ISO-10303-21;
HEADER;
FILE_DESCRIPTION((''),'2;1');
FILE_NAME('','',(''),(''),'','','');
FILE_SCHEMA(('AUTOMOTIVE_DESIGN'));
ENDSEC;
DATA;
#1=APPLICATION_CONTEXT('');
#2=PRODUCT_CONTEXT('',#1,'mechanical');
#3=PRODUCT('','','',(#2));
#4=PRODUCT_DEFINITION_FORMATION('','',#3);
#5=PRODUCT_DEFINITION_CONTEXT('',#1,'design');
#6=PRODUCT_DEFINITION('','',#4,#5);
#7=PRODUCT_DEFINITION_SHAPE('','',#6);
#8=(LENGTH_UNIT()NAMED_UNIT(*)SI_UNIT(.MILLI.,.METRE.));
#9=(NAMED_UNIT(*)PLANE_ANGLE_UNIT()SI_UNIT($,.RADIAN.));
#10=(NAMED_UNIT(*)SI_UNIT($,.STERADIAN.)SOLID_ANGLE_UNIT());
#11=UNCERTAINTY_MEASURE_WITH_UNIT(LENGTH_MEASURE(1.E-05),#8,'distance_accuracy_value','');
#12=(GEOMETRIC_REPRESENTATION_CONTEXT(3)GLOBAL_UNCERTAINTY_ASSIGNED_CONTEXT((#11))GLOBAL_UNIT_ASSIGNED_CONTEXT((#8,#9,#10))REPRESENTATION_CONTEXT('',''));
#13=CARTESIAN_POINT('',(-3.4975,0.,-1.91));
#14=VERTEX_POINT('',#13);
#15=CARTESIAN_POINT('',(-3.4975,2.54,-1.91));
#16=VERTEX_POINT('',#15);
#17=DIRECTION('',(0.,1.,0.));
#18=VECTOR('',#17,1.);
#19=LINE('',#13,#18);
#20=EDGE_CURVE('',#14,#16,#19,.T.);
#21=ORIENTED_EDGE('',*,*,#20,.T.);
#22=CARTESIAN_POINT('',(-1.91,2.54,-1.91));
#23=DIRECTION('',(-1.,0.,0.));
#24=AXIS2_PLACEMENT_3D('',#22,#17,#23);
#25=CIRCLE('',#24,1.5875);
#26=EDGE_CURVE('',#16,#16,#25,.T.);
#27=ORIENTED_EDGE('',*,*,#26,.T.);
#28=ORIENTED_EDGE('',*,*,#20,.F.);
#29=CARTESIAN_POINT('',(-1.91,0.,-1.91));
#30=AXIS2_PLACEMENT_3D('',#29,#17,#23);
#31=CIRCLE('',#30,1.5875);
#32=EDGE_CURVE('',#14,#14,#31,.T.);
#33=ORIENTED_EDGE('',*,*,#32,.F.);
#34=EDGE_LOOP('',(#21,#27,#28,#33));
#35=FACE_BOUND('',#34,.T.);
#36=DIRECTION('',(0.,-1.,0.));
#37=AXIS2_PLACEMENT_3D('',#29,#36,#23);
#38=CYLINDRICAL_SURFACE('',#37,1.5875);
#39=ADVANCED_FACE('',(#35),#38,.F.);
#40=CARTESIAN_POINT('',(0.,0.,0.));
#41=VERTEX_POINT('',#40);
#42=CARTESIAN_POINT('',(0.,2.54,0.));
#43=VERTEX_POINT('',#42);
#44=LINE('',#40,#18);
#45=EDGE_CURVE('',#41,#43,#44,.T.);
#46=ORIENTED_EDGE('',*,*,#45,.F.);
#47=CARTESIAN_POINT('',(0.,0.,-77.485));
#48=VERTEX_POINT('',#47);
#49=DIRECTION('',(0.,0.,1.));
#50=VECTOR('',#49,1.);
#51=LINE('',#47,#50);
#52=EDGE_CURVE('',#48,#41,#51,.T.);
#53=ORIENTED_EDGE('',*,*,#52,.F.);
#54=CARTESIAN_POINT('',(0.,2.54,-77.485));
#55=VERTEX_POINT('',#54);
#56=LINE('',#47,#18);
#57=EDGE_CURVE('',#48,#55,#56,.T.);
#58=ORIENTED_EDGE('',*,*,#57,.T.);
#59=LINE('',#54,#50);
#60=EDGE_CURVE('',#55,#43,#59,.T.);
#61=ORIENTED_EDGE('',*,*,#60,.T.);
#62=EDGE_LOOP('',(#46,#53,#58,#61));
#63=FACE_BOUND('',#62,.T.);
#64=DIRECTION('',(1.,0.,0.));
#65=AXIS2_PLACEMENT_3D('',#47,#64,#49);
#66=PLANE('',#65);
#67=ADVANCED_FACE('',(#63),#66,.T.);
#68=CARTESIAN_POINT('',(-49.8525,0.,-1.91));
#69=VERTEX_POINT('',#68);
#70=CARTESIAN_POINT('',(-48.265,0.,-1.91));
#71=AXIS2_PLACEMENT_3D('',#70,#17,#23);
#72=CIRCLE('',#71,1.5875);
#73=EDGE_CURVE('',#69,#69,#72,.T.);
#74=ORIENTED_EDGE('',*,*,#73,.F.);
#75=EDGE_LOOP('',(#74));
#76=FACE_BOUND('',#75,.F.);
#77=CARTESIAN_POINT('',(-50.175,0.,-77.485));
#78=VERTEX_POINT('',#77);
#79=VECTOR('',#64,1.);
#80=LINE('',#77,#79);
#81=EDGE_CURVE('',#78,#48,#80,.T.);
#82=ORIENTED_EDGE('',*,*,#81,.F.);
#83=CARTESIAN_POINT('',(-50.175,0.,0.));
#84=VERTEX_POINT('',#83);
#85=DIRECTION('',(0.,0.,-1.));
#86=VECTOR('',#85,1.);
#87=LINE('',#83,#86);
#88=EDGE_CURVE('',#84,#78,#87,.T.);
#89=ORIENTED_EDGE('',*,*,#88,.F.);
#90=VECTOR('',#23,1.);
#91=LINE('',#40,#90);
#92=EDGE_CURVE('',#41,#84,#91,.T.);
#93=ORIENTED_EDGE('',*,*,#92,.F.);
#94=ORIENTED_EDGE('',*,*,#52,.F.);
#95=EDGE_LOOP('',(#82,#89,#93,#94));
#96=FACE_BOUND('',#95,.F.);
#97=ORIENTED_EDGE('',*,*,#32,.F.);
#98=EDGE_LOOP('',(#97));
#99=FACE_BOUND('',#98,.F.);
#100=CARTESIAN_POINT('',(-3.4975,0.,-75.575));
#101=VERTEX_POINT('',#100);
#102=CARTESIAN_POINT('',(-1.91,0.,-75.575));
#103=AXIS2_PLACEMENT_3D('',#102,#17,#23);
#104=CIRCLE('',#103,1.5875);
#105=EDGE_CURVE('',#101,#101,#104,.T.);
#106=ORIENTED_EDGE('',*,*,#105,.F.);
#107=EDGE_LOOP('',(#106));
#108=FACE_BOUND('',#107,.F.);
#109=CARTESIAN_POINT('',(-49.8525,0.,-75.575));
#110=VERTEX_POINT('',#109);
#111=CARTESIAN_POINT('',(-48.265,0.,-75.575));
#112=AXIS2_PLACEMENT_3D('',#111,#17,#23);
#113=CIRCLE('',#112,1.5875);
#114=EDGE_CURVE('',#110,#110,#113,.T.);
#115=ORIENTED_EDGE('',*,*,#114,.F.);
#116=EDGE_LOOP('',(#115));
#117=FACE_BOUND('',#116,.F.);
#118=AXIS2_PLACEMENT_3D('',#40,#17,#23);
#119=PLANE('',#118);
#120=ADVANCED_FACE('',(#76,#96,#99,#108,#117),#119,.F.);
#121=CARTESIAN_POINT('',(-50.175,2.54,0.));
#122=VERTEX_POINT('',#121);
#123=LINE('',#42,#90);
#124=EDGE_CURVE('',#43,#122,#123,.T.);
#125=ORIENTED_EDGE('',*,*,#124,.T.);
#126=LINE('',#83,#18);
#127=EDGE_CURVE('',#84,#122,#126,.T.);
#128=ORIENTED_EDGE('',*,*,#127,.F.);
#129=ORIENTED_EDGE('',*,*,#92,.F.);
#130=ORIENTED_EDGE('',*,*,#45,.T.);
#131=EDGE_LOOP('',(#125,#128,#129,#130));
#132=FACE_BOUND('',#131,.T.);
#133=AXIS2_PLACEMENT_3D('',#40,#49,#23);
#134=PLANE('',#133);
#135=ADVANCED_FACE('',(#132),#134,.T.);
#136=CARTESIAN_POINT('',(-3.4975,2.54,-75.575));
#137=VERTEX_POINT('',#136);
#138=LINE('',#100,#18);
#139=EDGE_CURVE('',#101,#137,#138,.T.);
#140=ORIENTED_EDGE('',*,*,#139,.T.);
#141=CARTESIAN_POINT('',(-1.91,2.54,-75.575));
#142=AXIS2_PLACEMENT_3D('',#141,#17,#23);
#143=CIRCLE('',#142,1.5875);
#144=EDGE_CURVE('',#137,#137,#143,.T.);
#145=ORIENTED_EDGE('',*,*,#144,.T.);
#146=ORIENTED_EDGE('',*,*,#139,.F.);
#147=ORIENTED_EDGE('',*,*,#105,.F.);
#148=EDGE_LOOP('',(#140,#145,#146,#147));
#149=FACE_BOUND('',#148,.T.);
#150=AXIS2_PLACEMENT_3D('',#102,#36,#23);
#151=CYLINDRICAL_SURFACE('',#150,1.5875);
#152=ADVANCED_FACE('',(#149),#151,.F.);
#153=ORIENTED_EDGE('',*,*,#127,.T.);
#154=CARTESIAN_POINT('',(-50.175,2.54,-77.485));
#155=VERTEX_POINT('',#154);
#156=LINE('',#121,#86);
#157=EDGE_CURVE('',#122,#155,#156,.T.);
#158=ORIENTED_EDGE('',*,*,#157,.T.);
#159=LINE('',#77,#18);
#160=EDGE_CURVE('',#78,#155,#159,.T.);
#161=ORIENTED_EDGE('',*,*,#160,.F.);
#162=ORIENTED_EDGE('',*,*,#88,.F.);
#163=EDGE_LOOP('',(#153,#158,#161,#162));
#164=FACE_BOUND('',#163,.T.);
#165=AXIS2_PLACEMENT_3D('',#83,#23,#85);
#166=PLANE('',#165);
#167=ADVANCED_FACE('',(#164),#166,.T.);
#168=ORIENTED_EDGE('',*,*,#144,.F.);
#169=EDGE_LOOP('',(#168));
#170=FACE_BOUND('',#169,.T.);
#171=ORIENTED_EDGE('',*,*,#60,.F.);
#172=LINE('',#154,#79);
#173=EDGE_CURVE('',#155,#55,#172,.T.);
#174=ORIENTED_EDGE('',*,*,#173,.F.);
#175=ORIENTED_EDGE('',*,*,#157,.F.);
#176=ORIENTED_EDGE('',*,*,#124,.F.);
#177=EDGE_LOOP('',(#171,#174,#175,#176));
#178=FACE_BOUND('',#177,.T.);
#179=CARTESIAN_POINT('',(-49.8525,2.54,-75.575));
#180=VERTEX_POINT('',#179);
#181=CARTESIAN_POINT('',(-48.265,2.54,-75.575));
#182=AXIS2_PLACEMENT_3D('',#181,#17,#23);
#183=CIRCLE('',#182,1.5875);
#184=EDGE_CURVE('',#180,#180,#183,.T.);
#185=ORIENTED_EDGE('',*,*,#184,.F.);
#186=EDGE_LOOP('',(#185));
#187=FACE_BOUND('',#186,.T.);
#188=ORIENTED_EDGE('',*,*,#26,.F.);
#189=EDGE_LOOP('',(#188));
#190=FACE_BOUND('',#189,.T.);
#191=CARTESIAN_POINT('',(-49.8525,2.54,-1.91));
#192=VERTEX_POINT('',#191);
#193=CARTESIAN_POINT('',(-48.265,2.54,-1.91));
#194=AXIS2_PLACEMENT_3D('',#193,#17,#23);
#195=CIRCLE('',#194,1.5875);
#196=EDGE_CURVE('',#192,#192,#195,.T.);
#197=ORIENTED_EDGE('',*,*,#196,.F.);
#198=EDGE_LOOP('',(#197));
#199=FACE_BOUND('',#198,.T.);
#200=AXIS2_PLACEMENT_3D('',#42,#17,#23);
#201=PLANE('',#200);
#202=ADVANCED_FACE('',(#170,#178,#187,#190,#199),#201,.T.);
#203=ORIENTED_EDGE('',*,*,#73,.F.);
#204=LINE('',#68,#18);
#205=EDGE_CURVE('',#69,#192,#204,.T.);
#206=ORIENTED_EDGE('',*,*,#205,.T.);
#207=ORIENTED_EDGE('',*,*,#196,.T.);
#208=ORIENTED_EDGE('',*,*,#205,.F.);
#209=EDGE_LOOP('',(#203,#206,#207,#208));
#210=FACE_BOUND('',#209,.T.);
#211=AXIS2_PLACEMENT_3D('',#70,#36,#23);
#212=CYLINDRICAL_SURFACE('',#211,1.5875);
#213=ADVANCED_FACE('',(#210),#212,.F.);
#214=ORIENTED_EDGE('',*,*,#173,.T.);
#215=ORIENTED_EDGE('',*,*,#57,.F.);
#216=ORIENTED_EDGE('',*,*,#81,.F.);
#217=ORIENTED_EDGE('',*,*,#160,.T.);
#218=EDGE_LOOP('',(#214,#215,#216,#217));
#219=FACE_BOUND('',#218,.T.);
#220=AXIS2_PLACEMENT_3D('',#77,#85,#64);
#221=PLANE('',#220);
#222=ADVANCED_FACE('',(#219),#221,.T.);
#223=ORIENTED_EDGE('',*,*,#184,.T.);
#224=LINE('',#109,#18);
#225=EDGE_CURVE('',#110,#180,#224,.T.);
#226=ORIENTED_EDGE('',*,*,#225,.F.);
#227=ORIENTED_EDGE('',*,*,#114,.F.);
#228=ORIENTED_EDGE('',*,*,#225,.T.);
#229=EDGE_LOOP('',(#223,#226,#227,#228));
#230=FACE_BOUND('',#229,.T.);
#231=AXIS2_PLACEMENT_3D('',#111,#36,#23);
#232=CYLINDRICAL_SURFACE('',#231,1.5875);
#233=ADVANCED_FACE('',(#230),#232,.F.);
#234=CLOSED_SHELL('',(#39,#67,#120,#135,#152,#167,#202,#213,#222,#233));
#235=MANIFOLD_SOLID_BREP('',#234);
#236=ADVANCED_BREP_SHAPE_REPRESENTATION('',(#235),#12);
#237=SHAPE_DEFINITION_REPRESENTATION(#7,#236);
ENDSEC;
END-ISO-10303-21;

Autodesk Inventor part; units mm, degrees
ref_plane "YZ Plane" through (0, 0, 0) normal (1, 0, 0) x (0, 1, 0)
ref_plane "XZ Plane" through (0, 0, 0) normal (0, 1, 0) x (-1, 0, 0)
ref_plane "XY Plane" through (0, 0, 0) normal (0, 0, 1) x (1, 0, 0)
sketch "Sketch1" plane through (0, 0, 0) normal (0, 1, 0) x (-1, 0, 0)
  line L0 (0, 0) -> (50.175, 0)
  line L1 (50.175, 0) -> (50.175, -77.485)
  line L2 (50.175, -77.485) -> (0, -77.485)
  line L3 (0, -77.485) -> (0, 0)
  circle A0 centre (48.265, -1.91) radius 1.5875
  circle A1 centre (48.265, -75.575) radius 1.5875
  circle A2 centre (1.91, -1.91) radius 1.5875
  circle A3 centre (1.91, -75.575) radius 1.5875
  dimension "d0" = 77.485
  dimension "d1" = 50.175
  dimension "d3" = 3.175
  dimension "d4" = 3.175
  dimension "d6" = 1.91
  dimension "d7" = 1.91
  dimension "d8" = 1.91
  dimension "d9" = 3.175
  dimension "d10" = 3.175
  dimension "d11" = 1.91
  dimension "d12" = 1.91
  dimension "d13" = 1.91
  dimension "d14" = 1.91
  dimension "d15" = 1.91
extrude "Extrusion1" add sketch "Sketch1" along normal blind 2.54
properties part number "PCB_BOARD_NO_DREMEL_HOLES"
